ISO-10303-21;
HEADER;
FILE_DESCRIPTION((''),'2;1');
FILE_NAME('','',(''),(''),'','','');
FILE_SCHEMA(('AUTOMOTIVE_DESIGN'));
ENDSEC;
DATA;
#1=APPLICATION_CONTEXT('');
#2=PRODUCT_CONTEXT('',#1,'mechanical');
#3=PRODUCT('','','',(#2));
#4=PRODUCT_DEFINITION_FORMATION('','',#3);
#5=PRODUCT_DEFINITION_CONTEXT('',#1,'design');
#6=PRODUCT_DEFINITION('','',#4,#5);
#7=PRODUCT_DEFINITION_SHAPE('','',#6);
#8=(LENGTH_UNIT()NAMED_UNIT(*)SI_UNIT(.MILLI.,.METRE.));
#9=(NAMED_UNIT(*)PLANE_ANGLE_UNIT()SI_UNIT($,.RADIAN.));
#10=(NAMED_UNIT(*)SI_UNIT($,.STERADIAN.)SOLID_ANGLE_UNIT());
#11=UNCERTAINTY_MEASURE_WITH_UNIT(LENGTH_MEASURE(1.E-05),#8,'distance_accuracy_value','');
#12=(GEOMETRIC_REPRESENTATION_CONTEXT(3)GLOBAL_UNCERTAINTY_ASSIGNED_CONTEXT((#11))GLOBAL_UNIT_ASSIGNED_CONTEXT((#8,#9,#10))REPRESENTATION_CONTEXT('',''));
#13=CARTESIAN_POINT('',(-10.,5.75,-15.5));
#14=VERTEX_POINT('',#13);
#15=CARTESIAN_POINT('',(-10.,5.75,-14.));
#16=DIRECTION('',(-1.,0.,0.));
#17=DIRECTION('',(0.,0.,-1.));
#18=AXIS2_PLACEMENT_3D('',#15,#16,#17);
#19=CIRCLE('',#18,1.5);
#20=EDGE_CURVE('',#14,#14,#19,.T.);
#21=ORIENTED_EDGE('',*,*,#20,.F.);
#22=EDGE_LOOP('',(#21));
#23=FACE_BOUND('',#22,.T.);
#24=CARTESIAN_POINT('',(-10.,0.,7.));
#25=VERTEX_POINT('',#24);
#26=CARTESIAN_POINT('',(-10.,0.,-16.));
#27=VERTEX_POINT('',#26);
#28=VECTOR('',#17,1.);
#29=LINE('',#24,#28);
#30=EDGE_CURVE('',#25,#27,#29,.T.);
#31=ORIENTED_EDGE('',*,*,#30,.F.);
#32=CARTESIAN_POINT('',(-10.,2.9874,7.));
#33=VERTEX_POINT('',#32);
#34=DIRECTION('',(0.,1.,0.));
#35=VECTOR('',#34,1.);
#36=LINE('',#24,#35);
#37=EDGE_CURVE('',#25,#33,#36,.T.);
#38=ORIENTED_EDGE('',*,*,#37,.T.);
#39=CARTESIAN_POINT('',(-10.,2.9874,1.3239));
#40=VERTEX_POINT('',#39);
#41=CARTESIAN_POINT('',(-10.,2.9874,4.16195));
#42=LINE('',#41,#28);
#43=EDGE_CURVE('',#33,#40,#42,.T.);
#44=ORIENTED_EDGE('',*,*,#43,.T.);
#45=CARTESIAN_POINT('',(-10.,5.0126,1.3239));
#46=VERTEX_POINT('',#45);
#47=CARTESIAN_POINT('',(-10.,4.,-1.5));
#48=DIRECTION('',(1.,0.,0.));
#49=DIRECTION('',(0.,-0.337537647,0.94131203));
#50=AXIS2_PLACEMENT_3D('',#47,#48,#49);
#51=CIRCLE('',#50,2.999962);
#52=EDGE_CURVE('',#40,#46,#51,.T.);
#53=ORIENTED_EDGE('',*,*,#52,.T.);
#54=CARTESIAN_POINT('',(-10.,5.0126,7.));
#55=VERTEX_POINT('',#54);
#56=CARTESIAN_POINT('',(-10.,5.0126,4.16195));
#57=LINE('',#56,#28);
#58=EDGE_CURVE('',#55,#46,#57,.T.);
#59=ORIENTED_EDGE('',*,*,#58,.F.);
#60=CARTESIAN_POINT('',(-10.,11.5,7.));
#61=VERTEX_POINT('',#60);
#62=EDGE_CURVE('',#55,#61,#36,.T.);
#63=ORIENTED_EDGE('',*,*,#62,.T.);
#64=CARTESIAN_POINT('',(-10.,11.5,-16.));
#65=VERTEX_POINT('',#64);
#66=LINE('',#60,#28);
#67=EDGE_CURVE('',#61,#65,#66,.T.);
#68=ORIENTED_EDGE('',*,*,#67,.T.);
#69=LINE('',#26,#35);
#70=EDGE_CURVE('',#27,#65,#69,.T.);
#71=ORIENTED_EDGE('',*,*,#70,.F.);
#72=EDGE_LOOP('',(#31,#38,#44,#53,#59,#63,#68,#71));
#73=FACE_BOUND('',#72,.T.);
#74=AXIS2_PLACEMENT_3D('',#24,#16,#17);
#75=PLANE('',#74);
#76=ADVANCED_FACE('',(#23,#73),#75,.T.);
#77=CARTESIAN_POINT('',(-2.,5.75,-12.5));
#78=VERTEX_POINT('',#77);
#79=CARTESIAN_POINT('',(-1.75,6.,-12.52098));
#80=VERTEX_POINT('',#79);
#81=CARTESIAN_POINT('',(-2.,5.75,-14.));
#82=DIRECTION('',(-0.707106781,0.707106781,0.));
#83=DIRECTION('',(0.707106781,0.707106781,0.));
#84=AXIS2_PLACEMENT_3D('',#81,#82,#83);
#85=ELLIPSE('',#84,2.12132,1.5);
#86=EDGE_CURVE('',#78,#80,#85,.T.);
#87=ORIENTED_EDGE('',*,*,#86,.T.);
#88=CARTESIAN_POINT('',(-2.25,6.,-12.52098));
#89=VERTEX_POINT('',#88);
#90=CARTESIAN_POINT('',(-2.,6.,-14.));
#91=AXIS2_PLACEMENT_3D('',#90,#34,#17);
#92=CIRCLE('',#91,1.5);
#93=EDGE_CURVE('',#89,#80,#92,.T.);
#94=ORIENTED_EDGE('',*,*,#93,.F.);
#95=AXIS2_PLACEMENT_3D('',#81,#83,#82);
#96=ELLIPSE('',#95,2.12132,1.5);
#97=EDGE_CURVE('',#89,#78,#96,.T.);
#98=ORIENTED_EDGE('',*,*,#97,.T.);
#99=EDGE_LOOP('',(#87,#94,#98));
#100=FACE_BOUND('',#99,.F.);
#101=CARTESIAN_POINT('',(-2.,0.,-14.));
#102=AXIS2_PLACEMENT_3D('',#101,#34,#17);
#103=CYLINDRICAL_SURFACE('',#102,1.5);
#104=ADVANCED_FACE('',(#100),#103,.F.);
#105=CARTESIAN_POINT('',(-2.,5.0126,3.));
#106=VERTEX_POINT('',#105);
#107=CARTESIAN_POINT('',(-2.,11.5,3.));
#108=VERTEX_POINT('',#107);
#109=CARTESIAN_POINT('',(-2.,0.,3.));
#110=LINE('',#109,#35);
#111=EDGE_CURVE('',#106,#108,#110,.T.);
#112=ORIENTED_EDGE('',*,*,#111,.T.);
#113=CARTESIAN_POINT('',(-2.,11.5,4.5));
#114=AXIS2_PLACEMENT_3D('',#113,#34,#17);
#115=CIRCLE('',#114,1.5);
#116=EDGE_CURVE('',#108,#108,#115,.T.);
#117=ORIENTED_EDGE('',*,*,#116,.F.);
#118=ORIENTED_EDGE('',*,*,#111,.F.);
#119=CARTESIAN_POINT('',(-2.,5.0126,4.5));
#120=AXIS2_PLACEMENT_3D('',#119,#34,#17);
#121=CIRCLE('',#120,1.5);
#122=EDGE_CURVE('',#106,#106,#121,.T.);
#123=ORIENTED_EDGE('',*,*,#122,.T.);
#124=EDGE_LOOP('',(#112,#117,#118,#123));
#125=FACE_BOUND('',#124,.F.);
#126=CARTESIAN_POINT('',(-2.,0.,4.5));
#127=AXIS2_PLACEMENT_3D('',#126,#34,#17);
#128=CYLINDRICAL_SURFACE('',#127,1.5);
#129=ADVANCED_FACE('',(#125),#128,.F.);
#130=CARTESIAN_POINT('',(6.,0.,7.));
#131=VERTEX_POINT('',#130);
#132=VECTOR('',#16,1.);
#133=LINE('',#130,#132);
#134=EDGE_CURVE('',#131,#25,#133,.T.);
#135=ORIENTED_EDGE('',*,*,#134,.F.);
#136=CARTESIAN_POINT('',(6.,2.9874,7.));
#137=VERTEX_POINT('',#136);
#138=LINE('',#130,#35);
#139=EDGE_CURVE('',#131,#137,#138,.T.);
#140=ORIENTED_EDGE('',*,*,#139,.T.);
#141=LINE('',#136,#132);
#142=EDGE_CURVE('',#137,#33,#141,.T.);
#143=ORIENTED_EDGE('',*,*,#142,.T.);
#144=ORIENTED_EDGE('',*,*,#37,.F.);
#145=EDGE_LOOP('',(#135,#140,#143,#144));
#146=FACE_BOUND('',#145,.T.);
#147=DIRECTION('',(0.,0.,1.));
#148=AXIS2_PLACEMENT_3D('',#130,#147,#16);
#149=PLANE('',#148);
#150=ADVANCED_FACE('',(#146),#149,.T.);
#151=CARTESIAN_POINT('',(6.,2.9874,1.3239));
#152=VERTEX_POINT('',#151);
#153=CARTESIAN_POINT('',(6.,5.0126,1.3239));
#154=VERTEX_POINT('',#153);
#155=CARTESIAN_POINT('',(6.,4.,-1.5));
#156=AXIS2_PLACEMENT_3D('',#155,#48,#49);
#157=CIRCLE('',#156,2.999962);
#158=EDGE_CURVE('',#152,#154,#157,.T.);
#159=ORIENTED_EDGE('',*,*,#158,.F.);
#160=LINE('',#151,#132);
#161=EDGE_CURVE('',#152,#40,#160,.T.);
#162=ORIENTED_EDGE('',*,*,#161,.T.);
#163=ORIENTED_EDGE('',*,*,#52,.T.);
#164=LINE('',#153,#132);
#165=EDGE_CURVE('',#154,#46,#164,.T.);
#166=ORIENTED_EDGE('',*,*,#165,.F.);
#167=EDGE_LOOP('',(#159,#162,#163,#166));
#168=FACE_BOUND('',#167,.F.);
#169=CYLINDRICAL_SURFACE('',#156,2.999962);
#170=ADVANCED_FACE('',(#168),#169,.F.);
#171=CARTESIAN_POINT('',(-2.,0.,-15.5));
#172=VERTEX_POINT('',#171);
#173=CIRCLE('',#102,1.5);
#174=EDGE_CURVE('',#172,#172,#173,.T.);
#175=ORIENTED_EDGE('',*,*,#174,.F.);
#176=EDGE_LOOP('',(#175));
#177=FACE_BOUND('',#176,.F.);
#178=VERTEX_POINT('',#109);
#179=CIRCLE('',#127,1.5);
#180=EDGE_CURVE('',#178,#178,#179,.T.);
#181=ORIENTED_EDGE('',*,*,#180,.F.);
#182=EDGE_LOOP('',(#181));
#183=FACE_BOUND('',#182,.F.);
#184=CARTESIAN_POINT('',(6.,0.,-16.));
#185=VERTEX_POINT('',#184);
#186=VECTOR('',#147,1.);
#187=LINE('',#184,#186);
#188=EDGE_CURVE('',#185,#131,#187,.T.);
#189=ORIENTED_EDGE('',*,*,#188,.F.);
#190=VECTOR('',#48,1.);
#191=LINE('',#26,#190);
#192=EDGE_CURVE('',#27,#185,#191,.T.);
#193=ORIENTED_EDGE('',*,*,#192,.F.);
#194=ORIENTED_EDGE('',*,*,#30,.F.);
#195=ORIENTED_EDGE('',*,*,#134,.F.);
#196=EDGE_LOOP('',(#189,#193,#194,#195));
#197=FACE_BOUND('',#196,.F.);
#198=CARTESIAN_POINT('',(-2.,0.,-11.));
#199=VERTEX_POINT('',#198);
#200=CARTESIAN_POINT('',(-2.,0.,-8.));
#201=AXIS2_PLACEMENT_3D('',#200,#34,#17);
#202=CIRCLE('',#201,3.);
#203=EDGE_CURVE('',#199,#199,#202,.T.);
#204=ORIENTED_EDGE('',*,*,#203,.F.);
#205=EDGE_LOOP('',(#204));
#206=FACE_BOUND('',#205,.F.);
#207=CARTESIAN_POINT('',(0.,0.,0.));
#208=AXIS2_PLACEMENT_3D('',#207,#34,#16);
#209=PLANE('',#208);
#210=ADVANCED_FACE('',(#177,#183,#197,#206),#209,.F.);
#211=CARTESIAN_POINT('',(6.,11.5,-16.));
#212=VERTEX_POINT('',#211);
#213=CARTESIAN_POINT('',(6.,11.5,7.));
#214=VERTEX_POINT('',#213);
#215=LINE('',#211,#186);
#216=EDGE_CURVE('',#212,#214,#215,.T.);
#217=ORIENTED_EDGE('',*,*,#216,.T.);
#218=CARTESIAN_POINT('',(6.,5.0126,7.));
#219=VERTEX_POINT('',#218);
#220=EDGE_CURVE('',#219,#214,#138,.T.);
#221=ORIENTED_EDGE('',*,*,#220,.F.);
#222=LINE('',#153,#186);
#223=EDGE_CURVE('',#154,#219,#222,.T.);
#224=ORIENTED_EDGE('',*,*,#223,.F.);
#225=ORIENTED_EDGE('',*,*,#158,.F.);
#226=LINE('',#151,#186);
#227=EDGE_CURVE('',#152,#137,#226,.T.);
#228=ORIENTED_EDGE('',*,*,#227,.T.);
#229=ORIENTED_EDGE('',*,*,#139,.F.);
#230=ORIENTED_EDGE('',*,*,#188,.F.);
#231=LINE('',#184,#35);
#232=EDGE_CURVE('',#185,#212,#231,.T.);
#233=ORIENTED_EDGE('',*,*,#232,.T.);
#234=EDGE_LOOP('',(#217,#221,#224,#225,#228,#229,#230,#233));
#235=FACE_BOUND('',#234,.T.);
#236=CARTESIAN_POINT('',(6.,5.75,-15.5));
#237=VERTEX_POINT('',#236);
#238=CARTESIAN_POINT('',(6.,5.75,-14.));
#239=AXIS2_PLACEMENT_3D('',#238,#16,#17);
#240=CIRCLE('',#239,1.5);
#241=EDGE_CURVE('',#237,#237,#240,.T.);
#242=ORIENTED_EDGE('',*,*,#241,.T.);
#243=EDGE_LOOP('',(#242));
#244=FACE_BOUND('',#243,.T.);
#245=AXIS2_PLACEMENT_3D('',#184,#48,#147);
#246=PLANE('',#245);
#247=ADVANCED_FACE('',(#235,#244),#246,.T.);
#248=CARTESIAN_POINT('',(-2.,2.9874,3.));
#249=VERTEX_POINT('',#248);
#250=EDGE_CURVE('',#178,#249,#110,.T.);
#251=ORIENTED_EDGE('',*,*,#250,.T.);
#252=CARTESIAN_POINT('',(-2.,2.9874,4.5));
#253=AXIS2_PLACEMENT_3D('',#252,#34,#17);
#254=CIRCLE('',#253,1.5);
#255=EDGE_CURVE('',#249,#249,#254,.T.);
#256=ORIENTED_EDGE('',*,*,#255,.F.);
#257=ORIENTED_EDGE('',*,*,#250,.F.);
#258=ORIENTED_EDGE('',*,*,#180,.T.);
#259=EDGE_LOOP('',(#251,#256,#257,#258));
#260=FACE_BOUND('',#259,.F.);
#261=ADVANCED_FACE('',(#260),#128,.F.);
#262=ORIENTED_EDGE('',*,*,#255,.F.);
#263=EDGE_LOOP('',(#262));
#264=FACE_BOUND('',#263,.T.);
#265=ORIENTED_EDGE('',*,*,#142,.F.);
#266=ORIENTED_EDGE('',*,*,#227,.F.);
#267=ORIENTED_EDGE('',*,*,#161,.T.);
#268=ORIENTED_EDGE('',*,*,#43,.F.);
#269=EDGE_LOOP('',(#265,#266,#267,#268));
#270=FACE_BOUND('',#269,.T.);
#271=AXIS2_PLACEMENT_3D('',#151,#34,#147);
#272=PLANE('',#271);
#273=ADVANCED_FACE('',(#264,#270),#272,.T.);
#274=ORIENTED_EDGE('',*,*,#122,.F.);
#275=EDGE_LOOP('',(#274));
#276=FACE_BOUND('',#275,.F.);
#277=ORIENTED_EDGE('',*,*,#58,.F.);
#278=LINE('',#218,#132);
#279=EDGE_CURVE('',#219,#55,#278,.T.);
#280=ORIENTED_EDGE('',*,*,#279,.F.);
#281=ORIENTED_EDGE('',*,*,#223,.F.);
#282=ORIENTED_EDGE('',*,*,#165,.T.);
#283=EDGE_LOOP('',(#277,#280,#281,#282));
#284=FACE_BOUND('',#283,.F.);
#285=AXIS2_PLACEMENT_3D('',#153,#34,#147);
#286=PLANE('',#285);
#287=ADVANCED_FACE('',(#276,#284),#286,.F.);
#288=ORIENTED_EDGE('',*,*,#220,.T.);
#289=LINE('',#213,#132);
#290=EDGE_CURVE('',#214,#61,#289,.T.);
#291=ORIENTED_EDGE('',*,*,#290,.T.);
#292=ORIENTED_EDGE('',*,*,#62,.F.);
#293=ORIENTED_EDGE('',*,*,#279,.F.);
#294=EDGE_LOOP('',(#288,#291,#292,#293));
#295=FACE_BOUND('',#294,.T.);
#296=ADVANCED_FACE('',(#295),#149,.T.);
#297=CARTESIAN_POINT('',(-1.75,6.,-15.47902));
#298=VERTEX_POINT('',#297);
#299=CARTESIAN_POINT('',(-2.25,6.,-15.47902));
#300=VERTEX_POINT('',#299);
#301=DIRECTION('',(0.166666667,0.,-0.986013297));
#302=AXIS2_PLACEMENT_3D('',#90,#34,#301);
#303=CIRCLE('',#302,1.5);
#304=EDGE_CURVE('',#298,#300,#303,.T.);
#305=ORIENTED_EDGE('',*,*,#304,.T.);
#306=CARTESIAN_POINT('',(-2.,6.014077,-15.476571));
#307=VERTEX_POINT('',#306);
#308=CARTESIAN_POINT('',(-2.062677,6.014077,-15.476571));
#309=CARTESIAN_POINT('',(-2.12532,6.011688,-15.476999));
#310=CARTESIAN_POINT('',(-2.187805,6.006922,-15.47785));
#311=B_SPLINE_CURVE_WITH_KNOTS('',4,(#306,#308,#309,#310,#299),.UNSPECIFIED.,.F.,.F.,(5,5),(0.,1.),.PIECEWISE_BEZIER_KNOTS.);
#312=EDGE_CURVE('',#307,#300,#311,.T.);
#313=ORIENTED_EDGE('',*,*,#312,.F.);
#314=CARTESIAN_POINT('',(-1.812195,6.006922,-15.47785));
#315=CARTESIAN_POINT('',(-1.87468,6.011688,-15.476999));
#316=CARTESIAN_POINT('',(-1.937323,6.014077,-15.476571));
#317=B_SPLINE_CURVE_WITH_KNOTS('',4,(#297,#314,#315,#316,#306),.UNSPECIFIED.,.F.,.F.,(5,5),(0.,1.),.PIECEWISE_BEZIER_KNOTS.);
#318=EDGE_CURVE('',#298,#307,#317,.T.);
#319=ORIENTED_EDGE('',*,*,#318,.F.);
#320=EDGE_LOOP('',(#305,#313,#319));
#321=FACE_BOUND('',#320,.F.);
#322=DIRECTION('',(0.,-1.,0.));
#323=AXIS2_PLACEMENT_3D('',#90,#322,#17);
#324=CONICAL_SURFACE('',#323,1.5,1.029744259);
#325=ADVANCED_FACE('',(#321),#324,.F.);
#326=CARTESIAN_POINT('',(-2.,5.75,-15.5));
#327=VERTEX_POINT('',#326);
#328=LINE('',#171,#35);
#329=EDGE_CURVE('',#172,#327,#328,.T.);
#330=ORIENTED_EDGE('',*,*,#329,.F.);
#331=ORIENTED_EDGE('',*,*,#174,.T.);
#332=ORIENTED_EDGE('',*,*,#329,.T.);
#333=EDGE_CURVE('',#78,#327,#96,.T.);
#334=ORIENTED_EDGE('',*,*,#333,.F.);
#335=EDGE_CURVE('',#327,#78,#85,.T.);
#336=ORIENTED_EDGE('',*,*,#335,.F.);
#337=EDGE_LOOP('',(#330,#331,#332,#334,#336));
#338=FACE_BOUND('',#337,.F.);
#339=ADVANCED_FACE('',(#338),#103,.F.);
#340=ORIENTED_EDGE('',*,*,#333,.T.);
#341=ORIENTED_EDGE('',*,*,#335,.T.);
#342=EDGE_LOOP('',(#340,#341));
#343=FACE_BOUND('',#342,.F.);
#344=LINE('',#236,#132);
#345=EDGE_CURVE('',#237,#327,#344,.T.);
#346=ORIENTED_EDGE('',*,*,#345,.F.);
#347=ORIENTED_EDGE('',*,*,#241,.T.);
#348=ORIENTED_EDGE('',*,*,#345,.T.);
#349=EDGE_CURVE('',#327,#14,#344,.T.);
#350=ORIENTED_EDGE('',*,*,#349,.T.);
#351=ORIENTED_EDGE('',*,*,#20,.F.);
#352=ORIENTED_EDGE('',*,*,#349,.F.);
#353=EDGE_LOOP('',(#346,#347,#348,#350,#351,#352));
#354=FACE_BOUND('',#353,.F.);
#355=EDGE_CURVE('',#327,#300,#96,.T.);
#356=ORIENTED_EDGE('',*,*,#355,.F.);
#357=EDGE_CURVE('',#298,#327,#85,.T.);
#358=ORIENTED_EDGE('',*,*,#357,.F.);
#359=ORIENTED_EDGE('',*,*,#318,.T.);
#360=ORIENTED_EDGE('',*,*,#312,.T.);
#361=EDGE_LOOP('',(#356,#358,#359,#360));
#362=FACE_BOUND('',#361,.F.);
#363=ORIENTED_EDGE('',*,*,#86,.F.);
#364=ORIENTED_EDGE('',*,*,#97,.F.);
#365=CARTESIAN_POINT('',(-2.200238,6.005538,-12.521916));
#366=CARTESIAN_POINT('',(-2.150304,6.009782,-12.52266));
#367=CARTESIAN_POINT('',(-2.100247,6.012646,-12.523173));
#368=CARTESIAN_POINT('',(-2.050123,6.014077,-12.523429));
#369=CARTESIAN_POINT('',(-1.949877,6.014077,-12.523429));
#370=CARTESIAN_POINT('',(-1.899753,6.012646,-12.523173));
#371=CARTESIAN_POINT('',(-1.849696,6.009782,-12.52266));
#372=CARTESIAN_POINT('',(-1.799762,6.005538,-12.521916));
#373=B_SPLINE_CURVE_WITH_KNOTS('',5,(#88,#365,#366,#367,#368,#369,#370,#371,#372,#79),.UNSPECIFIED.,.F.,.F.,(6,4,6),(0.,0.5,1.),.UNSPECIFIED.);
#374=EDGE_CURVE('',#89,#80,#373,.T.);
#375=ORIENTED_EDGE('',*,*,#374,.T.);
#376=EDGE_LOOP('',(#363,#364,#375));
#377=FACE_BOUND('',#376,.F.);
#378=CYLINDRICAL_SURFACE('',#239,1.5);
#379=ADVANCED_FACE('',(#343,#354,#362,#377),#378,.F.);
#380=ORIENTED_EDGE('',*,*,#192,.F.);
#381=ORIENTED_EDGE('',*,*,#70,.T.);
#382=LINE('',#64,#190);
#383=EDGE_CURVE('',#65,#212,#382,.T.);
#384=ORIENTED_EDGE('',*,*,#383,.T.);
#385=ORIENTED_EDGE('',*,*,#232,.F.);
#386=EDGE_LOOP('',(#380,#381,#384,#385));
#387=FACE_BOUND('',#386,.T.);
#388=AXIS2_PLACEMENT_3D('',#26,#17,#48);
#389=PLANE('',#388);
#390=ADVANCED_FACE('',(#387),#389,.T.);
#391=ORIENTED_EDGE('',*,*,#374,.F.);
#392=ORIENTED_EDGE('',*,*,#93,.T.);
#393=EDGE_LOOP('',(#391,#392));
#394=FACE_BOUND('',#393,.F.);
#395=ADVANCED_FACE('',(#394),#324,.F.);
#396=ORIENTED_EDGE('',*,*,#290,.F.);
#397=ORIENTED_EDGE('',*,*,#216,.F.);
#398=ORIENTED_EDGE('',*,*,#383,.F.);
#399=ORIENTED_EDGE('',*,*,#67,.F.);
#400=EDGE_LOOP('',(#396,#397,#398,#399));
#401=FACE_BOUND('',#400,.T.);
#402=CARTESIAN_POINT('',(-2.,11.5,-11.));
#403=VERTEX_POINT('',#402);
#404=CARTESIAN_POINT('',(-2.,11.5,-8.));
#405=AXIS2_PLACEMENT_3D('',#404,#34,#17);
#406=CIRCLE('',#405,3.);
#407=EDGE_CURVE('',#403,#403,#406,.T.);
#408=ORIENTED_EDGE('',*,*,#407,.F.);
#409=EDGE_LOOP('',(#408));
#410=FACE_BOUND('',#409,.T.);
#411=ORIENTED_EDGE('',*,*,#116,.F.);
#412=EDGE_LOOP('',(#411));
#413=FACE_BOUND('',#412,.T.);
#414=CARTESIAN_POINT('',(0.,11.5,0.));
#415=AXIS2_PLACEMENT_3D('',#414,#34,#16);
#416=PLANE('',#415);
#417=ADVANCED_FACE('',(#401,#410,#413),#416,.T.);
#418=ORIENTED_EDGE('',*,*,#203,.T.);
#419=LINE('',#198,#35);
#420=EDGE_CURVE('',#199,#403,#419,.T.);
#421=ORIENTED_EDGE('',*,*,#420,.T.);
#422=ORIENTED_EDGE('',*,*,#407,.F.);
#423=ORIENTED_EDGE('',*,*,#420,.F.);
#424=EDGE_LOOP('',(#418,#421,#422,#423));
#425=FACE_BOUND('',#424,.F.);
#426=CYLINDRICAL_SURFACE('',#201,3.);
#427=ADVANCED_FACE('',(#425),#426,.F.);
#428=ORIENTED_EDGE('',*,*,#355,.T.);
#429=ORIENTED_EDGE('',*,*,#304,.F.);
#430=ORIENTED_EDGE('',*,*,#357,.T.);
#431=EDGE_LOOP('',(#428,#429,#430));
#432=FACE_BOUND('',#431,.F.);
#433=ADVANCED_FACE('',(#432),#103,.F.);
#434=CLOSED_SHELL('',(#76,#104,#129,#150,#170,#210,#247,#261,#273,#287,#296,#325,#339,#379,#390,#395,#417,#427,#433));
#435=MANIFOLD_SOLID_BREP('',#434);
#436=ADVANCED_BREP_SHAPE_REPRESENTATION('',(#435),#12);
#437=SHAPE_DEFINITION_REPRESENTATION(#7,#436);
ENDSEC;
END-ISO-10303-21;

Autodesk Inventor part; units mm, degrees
ref_plane "YZ Plane" through (0, 0, 0) normal (1, 0, 0) x (0, 1, 0)
ref_plane "XZ Plane" through (0, 0, 0) normal (0, 1, 0) x (-1, 0, 0)
ref_plane "XY Plane" through (0, 0, 0) normal (0, 0, 1) x (1, 0, 0)
sketch "Sketch1" plane through (0, 0, 0) normal (0, 1, 0) x (-1, 0, 0)
  line L0 (-6, 7) -> (10, 7)
  line L1 (10, 7) -> (10, -16)
  line L2 (10, -16) -> (-6, -16)
  line L3 (-6, -16) -> (-6, 7)
  point P0 (0, 0)
  point P1 (2, -8)
  point P2 (2, -14)
  point P3 (2, 4.5)
  dimension "d0" = 16
  dimension "d1" = 23
  dimension "d3" = 8
  dimension "d4" = 2
  dimension "d5" = 20.5
extrude "Extrusion1" add sketch "Sketch1" along normal blind 11.5
hole "Hole1" at (-2, 0, -8) direction (0, 1, 0) diameter 6 end through all
hole "Hole2" at (-2, 0, 4.5) direction (0, 1, 0) diameter 3 end through all
hole "Hole3" at (-2, 0, -14) direction (0, 1, 0) diameter 3 depth 6 tip angle 118
sketch "Sketch3" plane through (6, 0, 7) normal (1, 0, 0) x (0, 0, -1)
  arc A0 (5.6761, 2.9874) -> (5.6761, 5.0126) centre (8.5, 4) ccw
  line L0 (23, 0) -> (0, 0)
  line L1 (23, 0) -> (23, 11.5)
  line L2 (0, 0) -> (0, 11.5)
  line L3 (5.6761, 5.0126) -> (0, 5.0126)
  line L4 (5.6761, 2.9874) -> (0, 2.9874)
  line L5 (0, 5.0126) -> (0, 2.9874)
  point P0 (16, 0)
  point P1 (21, 5.75)
  dimension "d29" = 6
  dimension "d30" = 4
  dimension "d31" = 14.5
  dimension "d32" = 2
  dimension "d33" = 5.75
extrude "Extrusion2" cut sketch "Sketch3" against normal blind 20
hole "Hole4" at (6, 5.75, -14) direction (-1, 0, 0) diameter 3 end through all
thread "Thread1" size "M3x0.5" class "6H" standard "ANSI Metric M Profile" full length
thread "Thread2" size "M3x0.5" class "6H" standard "ANSI Metric M Profile" full length
thread "Thread3" size "M3x0.5" class "6H" standard "ANSI Metric M Profile" full length
thread "Thread4" size "M6x1" class "6H" standard "ANSI Metric M Profile" full length
properties part number "Chimera Heatblock" material "Aluminum 6061, Welded"
